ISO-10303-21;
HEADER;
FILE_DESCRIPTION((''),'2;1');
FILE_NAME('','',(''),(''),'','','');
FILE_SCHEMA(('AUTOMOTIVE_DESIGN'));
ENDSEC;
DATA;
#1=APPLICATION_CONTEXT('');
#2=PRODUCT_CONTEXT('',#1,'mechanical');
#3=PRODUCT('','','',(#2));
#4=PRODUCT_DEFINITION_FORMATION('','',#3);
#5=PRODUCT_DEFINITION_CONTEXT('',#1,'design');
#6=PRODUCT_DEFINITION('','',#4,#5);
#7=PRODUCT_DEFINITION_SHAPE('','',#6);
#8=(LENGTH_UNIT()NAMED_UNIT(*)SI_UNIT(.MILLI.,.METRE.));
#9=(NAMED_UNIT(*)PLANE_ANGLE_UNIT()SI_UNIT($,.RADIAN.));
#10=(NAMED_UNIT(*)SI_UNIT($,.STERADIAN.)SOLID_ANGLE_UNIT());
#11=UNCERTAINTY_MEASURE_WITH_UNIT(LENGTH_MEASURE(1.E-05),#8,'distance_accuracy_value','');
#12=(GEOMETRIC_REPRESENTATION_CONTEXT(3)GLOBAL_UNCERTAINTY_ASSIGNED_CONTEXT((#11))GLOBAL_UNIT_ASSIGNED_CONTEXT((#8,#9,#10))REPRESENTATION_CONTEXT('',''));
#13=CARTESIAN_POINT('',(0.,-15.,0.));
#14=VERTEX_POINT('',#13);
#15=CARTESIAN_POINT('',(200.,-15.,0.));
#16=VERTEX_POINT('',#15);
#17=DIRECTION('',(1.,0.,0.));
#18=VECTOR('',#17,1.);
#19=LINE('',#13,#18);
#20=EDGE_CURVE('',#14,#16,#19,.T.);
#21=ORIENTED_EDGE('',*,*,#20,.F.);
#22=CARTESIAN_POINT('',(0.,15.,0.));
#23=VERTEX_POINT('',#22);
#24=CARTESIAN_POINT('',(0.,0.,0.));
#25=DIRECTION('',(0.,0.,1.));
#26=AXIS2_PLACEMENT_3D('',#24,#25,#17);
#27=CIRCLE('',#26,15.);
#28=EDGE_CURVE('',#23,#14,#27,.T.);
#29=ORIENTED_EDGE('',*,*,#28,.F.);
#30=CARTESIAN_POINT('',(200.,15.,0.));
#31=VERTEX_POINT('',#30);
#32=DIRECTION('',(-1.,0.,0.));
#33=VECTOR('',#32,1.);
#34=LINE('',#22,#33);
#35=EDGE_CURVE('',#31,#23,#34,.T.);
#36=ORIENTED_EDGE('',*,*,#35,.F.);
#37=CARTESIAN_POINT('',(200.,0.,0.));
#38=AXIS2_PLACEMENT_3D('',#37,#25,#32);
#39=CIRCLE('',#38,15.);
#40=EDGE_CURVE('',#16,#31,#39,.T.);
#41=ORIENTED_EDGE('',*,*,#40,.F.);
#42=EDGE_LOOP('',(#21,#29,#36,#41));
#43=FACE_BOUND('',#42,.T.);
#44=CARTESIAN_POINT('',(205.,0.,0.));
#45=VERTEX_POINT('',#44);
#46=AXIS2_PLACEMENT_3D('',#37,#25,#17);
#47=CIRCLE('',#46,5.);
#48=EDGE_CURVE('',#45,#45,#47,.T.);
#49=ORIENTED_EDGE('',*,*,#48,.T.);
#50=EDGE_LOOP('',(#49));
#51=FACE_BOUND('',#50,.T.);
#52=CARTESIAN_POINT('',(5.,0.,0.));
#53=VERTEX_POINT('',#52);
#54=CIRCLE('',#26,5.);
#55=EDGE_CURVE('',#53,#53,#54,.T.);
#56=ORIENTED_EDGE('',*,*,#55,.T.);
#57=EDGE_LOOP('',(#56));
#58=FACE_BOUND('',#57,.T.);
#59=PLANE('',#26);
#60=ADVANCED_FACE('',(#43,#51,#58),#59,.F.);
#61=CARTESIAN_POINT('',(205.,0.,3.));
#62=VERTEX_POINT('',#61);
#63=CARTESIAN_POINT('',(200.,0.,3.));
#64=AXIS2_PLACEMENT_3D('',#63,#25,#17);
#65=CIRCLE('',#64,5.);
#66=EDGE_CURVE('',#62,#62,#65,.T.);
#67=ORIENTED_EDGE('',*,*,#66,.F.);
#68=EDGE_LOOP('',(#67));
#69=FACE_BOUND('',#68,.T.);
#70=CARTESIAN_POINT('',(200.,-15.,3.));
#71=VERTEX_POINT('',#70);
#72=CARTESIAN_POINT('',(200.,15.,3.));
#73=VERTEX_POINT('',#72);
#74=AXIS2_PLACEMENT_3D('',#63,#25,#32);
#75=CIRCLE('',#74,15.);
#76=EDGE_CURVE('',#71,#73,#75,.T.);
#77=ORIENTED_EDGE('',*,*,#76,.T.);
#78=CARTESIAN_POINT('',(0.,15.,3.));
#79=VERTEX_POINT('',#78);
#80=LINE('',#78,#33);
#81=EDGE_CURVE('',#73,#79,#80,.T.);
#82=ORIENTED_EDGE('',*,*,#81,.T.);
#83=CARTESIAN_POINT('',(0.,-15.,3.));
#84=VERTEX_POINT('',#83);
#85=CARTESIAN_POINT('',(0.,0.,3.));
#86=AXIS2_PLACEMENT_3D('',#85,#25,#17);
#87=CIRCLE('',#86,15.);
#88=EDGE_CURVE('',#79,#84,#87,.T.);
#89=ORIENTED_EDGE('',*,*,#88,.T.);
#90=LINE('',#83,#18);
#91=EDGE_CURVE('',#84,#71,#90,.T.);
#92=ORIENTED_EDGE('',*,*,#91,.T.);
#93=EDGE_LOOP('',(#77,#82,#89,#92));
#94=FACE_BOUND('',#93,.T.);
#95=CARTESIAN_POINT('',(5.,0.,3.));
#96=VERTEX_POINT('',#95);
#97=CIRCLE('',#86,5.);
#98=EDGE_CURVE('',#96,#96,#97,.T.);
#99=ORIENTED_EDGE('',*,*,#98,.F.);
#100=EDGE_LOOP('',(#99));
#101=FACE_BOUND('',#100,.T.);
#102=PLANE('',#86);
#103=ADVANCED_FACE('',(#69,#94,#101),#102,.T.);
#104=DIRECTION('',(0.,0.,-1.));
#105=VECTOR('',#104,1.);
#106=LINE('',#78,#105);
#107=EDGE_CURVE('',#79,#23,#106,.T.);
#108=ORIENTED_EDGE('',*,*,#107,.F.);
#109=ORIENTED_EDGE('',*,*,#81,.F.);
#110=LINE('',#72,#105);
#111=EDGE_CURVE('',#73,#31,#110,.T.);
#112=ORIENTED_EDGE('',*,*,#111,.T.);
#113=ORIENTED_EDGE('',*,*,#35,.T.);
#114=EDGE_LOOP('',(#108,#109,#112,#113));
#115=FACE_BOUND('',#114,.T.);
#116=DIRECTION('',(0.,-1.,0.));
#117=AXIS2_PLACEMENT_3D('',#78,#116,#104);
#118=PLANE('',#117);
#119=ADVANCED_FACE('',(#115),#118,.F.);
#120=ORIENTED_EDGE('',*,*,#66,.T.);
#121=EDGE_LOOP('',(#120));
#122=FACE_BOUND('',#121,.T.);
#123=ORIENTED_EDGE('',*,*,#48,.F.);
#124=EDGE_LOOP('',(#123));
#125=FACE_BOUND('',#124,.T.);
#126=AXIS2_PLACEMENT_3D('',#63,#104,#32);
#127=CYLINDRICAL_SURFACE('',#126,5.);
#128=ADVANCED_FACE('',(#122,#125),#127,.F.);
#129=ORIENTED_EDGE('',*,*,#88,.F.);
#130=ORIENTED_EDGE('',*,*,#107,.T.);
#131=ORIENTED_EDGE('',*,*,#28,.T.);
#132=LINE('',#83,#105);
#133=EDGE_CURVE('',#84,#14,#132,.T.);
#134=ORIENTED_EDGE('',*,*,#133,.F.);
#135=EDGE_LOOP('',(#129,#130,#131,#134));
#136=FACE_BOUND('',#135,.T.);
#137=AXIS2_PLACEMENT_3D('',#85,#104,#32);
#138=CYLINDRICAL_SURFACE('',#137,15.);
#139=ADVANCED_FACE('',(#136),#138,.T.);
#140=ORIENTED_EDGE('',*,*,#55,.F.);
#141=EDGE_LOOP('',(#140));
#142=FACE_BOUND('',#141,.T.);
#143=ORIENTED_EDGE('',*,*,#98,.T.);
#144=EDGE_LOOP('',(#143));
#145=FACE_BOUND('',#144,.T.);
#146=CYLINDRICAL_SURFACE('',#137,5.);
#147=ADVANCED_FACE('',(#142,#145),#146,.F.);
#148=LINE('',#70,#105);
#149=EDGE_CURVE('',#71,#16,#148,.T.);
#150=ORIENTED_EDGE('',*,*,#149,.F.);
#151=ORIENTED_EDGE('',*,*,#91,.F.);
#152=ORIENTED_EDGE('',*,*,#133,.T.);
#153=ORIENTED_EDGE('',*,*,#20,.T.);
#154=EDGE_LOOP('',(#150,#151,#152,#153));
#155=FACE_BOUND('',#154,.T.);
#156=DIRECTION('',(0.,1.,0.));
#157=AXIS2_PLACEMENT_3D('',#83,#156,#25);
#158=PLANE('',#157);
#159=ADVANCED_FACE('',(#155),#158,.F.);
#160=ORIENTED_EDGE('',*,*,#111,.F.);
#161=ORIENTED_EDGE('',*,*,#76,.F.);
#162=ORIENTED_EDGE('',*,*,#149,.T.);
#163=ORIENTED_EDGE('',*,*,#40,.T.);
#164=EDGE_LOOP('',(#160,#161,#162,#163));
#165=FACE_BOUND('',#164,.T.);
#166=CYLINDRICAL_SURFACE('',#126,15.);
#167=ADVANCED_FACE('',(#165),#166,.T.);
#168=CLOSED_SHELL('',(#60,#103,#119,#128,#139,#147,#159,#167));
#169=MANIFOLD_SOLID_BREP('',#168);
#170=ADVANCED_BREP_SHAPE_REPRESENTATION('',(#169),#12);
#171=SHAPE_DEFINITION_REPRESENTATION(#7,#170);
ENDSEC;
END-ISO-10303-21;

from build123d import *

# Parameters (mm, degrees)
SKETCH1_R           = 5
BOSS_EXTRUDE1_DEPTH = 3


with BuildPart() as part:
    # Sketch1 → Boss-Extrude1 (new body)
    with BuildSketch(Plane.XY):
        with BuildLine():
            Line((0, 15), (200, 15))
            ThreePointArc((200, 15), (215, 0), (200, -15))
            Line((200, -15), (0, -15))
            ThreePointArc((0, -15), (-15, 0), (0, 15))
        make_face()
        Circle(SKETCH1_R, mode=Mode.SUBTRACT)
        with Locations((200, 0)):
            Circle(SKETCH1_R, mode=Mode.SUBTRACT)
    extrude(amount=BOSS_EXTRUDE1_DEPTH)


solid = part.part
